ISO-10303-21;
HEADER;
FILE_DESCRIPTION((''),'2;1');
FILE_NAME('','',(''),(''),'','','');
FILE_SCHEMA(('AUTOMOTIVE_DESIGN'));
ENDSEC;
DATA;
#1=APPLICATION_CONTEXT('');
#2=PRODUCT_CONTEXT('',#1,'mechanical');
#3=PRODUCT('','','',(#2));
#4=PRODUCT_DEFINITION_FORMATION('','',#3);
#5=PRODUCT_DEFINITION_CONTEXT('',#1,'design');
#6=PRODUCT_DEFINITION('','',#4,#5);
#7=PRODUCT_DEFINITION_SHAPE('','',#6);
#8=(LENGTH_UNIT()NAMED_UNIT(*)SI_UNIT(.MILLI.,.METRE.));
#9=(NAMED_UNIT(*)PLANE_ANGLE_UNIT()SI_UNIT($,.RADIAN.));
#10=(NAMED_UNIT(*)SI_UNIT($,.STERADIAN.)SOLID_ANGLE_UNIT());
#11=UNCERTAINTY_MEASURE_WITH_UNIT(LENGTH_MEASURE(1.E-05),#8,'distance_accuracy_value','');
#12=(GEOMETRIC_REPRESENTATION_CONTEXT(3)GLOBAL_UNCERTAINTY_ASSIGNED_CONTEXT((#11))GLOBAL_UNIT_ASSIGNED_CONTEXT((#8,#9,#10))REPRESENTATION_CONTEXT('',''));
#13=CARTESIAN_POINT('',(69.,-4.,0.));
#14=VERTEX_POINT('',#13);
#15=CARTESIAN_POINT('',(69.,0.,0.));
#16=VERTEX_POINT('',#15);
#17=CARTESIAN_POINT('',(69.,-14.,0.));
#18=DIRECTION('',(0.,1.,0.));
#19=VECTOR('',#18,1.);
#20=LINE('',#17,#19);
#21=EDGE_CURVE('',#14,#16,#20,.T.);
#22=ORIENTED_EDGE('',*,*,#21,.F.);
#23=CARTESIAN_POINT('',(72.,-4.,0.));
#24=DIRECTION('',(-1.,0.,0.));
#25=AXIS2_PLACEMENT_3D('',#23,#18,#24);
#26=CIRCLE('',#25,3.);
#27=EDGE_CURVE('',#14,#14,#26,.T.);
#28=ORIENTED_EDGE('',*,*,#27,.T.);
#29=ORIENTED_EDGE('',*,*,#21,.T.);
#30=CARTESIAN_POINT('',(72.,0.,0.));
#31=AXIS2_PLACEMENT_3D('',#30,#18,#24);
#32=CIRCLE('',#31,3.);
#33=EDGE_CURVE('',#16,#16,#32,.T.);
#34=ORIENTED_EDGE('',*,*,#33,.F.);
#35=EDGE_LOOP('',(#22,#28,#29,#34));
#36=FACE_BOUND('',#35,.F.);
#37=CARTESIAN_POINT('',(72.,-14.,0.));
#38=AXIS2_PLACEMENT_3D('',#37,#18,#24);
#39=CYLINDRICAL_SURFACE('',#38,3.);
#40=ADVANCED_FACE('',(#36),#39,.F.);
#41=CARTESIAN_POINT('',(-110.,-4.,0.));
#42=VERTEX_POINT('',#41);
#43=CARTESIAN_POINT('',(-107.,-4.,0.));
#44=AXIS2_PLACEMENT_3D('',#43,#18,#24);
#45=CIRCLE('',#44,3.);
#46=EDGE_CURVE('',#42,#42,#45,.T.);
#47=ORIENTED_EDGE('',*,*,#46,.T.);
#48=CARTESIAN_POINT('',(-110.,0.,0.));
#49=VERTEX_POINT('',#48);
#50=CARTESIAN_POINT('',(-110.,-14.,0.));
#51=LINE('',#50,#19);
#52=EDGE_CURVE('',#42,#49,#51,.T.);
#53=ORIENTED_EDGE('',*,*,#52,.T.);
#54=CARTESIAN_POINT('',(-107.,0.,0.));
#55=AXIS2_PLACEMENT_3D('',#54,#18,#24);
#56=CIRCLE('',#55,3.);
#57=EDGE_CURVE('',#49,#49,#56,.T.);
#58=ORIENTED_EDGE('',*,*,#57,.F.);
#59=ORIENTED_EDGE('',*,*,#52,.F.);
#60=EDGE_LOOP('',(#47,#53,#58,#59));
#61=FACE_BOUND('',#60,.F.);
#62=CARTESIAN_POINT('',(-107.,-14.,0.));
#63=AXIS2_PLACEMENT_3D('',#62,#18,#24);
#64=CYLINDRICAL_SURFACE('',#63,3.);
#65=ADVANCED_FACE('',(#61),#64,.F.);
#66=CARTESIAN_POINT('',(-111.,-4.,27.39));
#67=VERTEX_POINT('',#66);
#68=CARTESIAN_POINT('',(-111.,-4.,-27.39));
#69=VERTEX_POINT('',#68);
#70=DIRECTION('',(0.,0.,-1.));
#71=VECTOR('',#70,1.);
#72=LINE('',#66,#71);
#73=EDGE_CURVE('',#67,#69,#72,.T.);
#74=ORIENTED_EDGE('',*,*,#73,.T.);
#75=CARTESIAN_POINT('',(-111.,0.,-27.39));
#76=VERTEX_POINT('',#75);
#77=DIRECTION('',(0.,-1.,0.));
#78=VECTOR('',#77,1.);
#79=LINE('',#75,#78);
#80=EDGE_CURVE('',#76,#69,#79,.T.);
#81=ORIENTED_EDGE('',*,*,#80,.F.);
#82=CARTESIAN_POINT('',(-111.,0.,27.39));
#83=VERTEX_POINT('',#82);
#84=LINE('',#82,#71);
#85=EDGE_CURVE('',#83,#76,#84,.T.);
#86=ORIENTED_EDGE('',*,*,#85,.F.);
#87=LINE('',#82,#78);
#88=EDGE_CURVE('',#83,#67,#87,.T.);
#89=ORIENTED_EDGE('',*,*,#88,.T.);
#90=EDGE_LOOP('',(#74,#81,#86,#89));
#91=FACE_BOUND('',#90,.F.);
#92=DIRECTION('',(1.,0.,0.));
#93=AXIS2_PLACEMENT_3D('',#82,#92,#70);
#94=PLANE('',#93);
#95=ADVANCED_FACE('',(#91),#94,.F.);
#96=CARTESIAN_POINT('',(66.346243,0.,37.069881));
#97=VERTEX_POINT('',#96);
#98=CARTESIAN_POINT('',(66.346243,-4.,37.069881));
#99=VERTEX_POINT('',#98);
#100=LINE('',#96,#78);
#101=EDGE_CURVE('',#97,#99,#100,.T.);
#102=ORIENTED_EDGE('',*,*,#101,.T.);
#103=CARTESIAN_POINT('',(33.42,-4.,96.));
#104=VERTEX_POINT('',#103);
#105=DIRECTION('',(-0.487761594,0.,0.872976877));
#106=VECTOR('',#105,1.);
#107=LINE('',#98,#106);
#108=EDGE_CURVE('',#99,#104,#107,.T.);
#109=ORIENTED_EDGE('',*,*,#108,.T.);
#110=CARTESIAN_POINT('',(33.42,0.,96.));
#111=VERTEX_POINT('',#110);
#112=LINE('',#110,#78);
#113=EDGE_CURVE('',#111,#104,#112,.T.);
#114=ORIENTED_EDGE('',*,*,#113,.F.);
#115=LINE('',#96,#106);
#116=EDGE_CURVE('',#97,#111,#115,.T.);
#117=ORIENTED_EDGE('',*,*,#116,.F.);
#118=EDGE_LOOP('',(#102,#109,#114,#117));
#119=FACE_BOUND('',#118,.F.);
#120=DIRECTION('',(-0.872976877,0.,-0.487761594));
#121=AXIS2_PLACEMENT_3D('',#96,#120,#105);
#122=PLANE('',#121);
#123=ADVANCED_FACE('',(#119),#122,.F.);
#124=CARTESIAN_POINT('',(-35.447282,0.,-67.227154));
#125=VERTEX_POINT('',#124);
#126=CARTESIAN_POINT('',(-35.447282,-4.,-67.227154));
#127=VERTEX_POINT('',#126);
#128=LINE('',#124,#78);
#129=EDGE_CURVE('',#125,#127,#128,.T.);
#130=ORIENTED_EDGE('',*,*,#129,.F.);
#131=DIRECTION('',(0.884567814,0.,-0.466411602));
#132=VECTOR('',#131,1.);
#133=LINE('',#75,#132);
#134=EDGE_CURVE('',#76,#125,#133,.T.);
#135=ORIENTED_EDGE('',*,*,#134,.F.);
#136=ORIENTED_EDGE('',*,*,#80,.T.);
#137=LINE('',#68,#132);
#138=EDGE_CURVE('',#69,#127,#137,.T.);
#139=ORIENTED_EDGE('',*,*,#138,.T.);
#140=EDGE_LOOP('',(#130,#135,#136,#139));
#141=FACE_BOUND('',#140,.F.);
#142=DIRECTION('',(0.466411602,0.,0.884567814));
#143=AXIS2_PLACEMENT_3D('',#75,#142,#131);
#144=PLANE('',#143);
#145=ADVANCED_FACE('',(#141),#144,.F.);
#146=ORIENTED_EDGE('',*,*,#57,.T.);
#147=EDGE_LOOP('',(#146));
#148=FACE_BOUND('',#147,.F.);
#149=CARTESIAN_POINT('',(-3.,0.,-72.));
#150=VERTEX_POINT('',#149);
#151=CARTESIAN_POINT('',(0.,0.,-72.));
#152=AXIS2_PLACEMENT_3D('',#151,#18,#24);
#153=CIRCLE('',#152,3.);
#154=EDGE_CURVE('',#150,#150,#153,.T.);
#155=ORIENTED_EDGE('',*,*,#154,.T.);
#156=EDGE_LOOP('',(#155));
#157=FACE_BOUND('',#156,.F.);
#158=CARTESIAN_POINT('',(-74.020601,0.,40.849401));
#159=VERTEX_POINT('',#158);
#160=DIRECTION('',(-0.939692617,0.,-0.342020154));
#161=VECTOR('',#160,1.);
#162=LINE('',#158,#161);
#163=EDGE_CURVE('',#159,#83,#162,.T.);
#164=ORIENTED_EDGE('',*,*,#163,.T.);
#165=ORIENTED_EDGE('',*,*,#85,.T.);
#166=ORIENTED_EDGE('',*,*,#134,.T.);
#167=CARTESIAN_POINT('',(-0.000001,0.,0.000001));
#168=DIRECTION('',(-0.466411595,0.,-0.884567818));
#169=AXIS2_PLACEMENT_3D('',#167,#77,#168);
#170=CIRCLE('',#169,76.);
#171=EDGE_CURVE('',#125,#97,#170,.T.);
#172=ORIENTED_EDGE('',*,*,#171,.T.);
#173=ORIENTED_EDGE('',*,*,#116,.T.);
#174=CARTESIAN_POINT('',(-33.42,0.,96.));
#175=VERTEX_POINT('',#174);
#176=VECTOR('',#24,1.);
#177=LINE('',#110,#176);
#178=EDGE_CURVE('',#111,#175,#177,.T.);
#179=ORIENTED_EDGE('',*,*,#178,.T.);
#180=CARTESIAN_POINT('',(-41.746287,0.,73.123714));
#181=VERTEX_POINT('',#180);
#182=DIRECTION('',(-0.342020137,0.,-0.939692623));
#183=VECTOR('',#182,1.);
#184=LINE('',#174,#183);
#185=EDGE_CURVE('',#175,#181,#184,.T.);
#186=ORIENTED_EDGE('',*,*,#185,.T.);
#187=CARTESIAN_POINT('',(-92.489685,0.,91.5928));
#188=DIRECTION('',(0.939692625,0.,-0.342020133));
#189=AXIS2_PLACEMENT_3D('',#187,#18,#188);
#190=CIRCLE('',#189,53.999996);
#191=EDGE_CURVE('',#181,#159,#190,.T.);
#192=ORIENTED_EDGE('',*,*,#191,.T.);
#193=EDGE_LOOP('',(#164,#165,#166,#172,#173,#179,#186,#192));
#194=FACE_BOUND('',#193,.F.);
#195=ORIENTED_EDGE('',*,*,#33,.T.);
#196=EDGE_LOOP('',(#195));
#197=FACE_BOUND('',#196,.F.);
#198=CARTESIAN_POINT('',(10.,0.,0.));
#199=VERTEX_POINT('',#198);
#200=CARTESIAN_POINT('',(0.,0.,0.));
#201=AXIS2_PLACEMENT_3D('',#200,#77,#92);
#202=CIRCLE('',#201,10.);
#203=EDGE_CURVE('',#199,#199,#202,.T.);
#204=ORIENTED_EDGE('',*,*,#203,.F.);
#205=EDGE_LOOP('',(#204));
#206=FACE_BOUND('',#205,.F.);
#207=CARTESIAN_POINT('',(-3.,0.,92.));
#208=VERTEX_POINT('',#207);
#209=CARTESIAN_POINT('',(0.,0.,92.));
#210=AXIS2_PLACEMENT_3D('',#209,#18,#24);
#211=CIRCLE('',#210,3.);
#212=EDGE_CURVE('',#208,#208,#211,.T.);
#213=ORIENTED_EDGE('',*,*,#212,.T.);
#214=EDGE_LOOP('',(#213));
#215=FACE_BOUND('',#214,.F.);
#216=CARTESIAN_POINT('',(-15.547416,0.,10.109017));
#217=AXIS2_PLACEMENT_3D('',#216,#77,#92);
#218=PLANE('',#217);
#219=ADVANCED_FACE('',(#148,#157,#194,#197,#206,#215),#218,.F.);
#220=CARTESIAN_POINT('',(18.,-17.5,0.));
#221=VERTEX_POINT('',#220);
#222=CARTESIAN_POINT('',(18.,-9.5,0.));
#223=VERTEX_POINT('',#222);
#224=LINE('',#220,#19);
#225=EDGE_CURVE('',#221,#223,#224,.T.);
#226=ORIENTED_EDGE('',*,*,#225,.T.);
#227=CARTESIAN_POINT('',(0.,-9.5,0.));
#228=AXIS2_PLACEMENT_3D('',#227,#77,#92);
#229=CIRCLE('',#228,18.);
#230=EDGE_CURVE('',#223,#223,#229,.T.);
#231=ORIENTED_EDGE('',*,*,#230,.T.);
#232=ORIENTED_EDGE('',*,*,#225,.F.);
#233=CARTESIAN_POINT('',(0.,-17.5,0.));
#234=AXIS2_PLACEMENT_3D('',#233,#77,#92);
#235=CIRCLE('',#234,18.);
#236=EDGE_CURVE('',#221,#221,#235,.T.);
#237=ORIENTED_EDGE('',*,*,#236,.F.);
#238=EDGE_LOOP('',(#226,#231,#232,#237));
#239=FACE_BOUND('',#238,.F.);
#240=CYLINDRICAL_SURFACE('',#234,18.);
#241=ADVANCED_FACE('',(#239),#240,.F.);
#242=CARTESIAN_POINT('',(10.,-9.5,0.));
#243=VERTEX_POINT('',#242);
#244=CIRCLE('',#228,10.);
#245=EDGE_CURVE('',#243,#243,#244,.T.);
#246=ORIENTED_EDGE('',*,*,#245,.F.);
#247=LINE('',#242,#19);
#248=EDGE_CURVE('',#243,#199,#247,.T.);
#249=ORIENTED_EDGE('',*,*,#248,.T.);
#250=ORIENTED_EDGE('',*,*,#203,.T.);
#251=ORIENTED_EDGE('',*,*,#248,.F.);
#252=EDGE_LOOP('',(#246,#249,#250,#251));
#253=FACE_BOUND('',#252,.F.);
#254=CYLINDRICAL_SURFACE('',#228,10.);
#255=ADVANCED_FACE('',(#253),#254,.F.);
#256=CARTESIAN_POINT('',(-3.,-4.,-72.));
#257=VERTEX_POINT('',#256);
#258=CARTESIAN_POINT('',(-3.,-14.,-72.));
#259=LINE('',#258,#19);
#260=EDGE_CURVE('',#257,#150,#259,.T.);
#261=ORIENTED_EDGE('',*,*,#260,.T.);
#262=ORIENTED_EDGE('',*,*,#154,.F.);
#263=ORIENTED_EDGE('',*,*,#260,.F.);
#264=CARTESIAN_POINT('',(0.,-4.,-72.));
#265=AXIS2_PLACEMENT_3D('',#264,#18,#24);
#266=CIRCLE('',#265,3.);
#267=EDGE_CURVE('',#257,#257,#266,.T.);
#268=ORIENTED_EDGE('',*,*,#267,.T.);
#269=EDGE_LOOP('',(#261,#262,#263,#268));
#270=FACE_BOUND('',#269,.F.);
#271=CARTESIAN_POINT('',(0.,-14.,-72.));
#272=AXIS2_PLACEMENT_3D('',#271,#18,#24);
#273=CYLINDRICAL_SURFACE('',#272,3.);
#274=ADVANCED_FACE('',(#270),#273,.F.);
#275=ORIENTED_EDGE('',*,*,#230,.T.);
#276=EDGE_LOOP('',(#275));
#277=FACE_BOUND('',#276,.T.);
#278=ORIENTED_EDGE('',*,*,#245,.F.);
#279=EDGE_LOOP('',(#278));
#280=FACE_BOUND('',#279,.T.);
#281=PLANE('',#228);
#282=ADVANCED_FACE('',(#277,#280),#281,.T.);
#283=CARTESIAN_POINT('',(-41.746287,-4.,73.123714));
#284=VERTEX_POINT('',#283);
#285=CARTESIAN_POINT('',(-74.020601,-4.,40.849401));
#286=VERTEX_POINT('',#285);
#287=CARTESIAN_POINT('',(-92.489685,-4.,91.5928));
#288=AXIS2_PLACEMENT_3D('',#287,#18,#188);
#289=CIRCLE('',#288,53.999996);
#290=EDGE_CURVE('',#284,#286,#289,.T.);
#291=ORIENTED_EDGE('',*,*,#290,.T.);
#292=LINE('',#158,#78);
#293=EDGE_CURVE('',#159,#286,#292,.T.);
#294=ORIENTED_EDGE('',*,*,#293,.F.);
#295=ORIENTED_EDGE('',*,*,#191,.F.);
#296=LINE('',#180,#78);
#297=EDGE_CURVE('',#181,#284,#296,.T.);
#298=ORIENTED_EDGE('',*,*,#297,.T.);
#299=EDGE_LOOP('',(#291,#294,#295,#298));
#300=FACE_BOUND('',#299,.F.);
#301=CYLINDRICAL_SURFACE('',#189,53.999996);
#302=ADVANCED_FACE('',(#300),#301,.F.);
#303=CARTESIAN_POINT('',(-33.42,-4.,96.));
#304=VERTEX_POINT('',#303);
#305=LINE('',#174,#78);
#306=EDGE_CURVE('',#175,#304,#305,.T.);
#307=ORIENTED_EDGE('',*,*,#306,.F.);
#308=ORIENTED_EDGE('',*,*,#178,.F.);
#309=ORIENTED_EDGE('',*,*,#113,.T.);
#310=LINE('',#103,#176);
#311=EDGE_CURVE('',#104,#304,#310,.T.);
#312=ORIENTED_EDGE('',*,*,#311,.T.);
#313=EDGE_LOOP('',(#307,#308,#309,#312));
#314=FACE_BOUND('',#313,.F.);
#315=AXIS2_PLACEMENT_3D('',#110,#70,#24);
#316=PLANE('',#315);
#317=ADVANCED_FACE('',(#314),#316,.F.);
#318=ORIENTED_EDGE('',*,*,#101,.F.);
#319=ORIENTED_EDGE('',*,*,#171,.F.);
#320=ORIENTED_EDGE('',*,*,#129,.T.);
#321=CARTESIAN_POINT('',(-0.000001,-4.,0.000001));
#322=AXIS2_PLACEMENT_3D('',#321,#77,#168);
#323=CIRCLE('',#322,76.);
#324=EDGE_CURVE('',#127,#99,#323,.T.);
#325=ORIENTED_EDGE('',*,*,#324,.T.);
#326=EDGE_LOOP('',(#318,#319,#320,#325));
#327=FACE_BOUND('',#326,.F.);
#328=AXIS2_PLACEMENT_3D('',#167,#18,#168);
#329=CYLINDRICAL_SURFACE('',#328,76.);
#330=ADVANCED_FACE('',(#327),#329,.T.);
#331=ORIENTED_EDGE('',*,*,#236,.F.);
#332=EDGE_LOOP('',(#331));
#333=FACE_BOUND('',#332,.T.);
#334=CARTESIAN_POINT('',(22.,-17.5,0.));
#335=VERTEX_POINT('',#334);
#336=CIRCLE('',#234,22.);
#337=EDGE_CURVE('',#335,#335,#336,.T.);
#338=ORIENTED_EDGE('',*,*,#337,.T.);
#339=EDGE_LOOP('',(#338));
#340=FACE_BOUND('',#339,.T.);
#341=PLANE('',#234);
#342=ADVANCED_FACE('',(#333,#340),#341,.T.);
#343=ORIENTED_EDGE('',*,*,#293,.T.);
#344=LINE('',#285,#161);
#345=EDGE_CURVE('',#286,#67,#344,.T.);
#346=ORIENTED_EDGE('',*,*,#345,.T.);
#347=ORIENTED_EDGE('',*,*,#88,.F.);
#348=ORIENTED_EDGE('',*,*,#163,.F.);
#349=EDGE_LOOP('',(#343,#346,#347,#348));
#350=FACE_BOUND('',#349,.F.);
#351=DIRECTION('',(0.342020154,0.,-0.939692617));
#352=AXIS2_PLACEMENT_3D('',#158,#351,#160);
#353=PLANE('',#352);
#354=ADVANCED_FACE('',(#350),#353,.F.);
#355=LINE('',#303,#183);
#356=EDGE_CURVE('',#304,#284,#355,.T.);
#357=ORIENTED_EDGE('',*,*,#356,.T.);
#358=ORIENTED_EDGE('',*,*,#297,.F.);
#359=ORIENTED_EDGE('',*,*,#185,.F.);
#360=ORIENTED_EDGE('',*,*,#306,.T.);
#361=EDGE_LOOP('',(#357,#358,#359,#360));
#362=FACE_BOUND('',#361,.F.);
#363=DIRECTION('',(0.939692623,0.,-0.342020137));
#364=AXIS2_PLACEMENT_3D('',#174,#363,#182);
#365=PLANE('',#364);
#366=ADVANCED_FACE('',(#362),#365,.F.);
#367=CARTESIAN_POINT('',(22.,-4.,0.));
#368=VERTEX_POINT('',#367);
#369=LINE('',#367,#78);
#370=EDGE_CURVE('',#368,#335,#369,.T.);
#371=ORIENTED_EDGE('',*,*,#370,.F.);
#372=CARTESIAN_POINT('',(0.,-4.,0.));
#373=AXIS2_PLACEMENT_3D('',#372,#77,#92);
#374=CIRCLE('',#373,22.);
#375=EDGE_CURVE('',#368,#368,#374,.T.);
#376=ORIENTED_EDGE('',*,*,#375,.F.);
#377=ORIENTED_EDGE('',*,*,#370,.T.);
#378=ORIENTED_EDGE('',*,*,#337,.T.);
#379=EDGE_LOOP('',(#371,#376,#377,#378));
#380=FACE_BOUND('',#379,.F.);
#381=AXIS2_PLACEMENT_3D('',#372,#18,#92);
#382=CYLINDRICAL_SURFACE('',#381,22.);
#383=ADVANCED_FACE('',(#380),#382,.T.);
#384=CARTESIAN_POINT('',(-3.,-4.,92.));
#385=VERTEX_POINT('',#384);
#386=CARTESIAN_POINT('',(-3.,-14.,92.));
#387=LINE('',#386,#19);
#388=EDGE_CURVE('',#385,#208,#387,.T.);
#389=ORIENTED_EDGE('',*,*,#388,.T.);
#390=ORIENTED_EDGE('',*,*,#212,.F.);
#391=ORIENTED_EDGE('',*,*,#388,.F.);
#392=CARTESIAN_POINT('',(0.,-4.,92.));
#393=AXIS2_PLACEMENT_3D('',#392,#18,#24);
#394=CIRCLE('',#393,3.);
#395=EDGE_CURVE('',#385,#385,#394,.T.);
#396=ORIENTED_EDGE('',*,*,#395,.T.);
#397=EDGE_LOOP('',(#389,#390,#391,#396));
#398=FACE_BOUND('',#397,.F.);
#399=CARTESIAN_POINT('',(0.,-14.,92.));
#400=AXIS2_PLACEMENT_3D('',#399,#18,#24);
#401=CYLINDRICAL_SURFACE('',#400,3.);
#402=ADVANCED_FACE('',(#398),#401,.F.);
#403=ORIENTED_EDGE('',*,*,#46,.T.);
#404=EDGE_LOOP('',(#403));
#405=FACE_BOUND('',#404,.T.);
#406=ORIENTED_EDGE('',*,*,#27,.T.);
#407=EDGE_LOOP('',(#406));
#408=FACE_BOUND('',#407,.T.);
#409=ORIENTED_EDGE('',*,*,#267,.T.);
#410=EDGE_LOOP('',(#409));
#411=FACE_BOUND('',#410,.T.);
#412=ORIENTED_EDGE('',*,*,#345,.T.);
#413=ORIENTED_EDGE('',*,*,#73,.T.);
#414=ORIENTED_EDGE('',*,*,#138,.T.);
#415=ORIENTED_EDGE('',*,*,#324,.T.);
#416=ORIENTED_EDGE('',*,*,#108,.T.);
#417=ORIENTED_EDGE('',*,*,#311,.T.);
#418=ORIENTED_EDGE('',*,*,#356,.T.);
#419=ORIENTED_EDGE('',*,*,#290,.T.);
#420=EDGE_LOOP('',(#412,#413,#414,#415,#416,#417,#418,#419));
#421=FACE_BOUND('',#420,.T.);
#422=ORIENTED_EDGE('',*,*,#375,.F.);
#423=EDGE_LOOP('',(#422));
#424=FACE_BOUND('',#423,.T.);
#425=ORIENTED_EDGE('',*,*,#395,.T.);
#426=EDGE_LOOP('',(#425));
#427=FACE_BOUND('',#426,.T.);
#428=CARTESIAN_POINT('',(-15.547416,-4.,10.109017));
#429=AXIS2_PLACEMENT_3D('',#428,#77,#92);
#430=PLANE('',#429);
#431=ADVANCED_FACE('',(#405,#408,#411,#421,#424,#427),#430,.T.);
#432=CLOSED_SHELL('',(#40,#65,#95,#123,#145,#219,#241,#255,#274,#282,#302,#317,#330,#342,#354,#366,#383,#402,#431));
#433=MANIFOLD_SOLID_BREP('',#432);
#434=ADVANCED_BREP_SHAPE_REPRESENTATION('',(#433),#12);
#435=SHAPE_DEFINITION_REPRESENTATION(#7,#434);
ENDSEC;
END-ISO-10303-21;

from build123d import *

# Parameters (mm, degrees)
F1_DEPTH = 4
F3_D     = 6
F3_DEPTH = 10
F4_R     = 22
F5_DEPTH = 13.5
F6_R     = 18
F7_DEPTH = 8
F8_R     = 10
F9_DEPTH = 25


with BuildPart() as f1:
    # F0 (on Front) → F1 (new body)
    with BuildSketch(Plane.XZ):
        with BuildLine():
            Line((33.42, 96), (-33.42, 96))
            Line((-33.42, 96), (-41.746287, 73.123714))
            ThreePointArc((-41.746287, 73.123714), (-54.305922, 53.409036), (-74.020601, 40.849401))
            Line((-74.020601, 40.849401), (-111, 27.39))
            Line((-111, 27.39), (-111, -27.39))
            Line((-111, -27.39), (-35.447282, -67.227154))
            ThreePointArc((-35.447282, -67.227154), (54.388917, -53.083384), (66.346243, 37.069881))
            Line((66.346243, 37.069881), (33.42, 96))
        make_face()
    extrude(amount=F1_DEPTH)

    # F3
    with Locations(Plane.XZ.offset(4)):
        with Locations((0, 92), (-107, 0), (0, -72), (72, 0)):
            Hole(F3_D / 2, depth=F3_DEPTH)

    # F4 (on face) → F5 (join)
    with BuildSketch(Plane.XZ.offset(4)):
        Circle(F4_R)
    extrude(amount=F5_DEPTH)

    # F6 (on face) → F7 (cut)
    with BuildSketch(Plane.XZ.offset(17.5)):
        Circle(F6_R)
    extrude(amount=-F7_DEPTH, mode=Mode.SUBTRACT)

    # F8 (on face) → F9 (cut)
    with BuildSketch(Plane.XZ.offset(9.5)):
        Circle(F8_R)
    extrude(amount=-F9_DEPTH, mode=Mode.SUBTRACT)


solid = f1.part
